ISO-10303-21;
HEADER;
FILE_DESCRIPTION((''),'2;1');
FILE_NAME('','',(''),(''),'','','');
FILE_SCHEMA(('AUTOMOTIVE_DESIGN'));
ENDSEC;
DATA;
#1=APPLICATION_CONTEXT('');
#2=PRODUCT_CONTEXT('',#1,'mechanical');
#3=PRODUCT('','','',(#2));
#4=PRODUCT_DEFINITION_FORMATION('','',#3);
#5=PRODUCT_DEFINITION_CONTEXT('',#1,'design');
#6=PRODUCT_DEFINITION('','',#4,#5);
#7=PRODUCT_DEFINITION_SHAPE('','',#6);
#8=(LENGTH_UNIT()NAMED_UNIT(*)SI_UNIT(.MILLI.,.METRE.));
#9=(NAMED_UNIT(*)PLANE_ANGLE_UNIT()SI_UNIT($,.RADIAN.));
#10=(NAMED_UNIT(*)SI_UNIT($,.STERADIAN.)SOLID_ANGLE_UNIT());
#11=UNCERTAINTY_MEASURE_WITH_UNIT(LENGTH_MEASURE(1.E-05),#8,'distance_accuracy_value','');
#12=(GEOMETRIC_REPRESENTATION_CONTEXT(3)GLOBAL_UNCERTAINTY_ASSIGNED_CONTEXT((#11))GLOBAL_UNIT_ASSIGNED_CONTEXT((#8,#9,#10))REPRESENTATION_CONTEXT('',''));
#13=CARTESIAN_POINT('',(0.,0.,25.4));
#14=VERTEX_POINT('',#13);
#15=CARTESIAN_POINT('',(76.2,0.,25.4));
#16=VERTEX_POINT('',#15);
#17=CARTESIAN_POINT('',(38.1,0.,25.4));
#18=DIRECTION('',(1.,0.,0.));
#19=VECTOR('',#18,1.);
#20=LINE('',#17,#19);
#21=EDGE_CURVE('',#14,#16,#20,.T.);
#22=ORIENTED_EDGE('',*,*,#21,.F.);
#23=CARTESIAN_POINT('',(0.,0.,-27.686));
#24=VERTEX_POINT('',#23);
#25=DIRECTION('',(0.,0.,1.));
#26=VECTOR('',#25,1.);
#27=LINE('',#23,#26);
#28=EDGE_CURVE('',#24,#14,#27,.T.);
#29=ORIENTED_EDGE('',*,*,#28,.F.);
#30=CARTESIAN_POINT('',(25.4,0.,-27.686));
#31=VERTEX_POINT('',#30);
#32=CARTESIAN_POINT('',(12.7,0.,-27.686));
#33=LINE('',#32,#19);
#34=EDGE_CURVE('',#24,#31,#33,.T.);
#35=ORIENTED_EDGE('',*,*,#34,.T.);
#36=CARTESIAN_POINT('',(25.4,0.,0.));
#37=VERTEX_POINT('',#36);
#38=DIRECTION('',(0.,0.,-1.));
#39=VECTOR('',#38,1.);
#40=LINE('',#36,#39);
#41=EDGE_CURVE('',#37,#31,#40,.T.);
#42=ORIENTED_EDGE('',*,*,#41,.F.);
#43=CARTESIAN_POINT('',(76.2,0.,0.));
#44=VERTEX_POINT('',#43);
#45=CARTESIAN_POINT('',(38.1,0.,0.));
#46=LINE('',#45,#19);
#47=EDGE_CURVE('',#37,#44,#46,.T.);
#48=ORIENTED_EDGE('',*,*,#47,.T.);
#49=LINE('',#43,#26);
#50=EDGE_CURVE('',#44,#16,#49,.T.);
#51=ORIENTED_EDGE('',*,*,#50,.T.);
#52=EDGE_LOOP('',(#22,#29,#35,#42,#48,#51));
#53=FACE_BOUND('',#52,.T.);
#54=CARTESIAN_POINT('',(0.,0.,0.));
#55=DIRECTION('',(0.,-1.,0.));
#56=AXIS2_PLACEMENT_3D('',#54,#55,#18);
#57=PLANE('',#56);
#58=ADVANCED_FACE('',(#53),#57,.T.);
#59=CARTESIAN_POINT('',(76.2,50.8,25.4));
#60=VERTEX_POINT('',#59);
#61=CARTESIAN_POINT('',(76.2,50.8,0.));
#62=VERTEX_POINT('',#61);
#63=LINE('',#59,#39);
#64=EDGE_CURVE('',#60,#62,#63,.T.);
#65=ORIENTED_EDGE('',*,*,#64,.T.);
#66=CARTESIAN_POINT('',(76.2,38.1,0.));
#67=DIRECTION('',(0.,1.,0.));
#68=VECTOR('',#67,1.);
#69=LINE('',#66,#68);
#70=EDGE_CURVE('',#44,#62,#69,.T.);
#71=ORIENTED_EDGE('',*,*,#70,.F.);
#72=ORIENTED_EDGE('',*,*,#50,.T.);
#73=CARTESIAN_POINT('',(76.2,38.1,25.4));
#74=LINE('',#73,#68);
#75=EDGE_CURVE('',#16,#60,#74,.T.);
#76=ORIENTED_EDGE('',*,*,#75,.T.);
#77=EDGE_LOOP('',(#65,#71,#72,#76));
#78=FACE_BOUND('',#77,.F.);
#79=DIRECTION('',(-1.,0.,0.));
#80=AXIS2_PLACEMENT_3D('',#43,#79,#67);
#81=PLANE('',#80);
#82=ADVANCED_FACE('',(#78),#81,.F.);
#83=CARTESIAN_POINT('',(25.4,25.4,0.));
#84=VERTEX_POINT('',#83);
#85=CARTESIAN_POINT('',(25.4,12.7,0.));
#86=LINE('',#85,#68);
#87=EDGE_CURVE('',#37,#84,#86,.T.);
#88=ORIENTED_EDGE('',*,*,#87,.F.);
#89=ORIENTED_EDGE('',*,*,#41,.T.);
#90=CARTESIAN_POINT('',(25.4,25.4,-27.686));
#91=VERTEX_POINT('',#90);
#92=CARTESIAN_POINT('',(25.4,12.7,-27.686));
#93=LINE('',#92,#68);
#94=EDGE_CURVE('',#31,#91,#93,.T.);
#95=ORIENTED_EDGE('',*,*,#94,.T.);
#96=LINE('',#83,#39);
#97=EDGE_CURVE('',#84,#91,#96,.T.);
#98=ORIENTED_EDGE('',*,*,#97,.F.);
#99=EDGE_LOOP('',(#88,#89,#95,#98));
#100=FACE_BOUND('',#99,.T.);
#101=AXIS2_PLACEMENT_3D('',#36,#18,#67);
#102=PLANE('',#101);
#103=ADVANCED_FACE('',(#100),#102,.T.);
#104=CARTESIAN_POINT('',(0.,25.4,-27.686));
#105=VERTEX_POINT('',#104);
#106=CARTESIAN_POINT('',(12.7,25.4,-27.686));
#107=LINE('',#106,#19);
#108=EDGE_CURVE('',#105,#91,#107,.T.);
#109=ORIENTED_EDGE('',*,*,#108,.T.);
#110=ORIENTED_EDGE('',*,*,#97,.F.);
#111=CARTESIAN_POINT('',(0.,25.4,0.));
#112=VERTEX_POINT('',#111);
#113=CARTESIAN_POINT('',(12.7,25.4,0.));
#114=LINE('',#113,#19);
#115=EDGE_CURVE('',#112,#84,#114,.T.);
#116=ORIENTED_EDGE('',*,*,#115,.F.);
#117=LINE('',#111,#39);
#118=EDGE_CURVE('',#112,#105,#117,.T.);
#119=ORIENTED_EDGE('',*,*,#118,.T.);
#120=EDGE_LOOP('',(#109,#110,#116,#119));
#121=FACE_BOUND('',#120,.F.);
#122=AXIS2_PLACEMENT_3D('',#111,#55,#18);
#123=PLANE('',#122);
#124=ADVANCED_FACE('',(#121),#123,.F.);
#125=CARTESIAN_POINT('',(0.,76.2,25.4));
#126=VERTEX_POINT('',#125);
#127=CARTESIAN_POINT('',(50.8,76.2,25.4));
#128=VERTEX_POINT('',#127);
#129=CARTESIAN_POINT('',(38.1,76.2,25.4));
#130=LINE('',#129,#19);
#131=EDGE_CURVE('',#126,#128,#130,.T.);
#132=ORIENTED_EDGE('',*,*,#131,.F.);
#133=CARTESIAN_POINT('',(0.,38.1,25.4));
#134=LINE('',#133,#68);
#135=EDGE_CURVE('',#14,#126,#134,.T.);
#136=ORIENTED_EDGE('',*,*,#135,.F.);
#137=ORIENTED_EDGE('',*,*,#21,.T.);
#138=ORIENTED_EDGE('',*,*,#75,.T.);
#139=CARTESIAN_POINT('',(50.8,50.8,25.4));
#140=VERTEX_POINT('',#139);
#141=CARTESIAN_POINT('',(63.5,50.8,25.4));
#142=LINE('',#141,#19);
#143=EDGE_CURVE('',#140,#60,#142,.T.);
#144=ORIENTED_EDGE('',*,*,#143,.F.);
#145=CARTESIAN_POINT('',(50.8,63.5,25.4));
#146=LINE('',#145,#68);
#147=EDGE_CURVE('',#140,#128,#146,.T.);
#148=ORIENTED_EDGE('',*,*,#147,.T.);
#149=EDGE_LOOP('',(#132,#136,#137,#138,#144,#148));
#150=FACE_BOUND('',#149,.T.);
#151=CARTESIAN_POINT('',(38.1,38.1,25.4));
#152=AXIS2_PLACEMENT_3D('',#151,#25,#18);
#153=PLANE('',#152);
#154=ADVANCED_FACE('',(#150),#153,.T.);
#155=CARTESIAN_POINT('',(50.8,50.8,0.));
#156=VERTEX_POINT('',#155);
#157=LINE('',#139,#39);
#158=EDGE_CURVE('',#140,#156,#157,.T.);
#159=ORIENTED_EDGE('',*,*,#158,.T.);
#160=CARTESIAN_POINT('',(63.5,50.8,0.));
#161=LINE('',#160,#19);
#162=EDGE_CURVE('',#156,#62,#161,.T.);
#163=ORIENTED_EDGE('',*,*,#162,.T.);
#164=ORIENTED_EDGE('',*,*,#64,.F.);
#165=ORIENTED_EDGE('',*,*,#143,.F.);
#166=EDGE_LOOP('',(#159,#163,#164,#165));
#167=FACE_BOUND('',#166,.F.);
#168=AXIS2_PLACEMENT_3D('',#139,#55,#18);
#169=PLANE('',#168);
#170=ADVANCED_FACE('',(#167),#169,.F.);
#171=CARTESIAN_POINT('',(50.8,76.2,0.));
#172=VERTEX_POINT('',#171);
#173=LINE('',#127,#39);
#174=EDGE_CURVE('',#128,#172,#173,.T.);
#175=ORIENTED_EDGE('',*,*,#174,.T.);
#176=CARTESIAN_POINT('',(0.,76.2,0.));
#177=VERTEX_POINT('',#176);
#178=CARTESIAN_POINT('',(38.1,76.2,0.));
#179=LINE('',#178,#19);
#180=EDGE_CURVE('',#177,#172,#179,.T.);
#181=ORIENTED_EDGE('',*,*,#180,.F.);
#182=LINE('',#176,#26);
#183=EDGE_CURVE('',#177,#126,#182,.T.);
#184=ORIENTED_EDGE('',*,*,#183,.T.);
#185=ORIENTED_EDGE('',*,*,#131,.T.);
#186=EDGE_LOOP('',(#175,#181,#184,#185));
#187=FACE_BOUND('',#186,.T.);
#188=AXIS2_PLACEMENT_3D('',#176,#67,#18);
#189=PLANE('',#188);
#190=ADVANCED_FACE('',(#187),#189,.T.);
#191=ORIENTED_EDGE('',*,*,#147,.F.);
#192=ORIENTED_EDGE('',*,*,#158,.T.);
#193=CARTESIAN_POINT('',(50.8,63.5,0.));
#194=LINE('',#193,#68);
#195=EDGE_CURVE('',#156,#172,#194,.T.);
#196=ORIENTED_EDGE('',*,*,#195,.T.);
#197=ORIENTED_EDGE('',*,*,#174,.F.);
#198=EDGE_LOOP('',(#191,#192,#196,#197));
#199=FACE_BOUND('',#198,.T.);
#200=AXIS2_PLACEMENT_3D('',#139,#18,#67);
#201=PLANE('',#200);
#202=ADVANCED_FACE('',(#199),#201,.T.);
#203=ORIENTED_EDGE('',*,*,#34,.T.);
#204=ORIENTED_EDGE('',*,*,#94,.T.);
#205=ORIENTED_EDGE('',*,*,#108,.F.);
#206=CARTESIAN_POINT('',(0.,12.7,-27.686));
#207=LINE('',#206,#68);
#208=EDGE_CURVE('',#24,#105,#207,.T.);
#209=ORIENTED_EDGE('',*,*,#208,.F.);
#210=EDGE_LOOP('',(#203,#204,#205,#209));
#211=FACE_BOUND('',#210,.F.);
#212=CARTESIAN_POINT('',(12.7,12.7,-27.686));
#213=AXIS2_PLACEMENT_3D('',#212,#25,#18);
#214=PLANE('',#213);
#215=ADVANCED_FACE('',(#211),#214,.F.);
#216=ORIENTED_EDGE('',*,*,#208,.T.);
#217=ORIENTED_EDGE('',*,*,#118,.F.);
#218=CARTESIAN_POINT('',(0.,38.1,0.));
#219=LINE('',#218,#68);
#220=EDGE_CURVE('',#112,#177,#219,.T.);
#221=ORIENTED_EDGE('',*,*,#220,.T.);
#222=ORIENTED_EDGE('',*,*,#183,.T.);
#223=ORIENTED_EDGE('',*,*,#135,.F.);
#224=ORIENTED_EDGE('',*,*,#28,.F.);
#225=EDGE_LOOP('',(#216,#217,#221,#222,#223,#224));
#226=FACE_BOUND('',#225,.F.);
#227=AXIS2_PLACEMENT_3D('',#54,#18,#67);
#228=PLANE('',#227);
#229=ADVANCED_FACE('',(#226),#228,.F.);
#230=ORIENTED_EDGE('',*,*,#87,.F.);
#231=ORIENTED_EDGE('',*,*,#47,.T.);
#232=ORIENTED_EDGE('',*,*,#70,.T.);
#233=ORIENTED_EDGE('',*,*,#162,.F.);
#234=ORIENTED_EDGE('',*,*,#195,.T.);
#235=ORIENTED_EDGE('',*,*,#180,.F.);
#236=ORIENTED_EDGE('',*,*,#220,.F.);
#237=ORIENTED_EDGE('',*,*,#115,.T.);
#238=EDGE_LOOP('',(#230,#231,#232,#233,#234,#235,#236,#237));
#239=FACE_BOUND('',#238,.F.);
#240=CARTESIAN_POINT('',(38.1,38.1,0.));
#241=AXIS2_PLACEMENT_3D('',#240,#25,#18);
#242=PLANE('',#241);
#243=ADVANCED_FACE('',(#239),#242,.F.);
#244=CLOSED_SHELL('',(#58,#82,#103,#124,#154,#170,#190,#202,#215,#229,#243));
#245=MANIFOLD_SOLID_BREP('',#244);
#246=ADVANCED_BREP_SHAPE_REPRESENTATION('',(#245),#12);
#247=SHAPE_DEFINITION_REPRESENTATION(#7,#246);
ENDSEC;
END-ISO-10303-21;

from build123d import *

# Parameters (mm, degrees)
F0_W     = 76.2
F0_H     = 76.2
F1_DEPTH = 25.4
F2_W     = 25.4
F2_H     = 25.4
F3_DEPTH = 25.4
F4_W     = 25.4
F4_H     = 25.4
F5_DEPTH = 27.686


with BuildPart() as f1:
    # F0 (on Top) → F1 (new body)
    with BuildSketch(Plane.XY):
        with Locations((38.1, 38.1)):
            Rectangle(F0_W, F0_H)
    extrude(amount=F1_DEPTH)

    # F2 (on face) → F3 (cut)
    with BuildSketch(Plane.XY.offset(25.4)):
        with Locations((63.5, 63.5)):
            Rectangle(F2_W, F2_H)
    extrude(amount=-F3_DEPTH, mode=Mode.SUBTRACT)

    # F4 (on Top) → F5 (join)
    with BuildSketch(Plane.XY):
        with Locations((12.7, 12.7)):
            Rectangle(F4_W, F4_H)
    extrude(amount=-F5_DEPTH)


solid = f1.part
